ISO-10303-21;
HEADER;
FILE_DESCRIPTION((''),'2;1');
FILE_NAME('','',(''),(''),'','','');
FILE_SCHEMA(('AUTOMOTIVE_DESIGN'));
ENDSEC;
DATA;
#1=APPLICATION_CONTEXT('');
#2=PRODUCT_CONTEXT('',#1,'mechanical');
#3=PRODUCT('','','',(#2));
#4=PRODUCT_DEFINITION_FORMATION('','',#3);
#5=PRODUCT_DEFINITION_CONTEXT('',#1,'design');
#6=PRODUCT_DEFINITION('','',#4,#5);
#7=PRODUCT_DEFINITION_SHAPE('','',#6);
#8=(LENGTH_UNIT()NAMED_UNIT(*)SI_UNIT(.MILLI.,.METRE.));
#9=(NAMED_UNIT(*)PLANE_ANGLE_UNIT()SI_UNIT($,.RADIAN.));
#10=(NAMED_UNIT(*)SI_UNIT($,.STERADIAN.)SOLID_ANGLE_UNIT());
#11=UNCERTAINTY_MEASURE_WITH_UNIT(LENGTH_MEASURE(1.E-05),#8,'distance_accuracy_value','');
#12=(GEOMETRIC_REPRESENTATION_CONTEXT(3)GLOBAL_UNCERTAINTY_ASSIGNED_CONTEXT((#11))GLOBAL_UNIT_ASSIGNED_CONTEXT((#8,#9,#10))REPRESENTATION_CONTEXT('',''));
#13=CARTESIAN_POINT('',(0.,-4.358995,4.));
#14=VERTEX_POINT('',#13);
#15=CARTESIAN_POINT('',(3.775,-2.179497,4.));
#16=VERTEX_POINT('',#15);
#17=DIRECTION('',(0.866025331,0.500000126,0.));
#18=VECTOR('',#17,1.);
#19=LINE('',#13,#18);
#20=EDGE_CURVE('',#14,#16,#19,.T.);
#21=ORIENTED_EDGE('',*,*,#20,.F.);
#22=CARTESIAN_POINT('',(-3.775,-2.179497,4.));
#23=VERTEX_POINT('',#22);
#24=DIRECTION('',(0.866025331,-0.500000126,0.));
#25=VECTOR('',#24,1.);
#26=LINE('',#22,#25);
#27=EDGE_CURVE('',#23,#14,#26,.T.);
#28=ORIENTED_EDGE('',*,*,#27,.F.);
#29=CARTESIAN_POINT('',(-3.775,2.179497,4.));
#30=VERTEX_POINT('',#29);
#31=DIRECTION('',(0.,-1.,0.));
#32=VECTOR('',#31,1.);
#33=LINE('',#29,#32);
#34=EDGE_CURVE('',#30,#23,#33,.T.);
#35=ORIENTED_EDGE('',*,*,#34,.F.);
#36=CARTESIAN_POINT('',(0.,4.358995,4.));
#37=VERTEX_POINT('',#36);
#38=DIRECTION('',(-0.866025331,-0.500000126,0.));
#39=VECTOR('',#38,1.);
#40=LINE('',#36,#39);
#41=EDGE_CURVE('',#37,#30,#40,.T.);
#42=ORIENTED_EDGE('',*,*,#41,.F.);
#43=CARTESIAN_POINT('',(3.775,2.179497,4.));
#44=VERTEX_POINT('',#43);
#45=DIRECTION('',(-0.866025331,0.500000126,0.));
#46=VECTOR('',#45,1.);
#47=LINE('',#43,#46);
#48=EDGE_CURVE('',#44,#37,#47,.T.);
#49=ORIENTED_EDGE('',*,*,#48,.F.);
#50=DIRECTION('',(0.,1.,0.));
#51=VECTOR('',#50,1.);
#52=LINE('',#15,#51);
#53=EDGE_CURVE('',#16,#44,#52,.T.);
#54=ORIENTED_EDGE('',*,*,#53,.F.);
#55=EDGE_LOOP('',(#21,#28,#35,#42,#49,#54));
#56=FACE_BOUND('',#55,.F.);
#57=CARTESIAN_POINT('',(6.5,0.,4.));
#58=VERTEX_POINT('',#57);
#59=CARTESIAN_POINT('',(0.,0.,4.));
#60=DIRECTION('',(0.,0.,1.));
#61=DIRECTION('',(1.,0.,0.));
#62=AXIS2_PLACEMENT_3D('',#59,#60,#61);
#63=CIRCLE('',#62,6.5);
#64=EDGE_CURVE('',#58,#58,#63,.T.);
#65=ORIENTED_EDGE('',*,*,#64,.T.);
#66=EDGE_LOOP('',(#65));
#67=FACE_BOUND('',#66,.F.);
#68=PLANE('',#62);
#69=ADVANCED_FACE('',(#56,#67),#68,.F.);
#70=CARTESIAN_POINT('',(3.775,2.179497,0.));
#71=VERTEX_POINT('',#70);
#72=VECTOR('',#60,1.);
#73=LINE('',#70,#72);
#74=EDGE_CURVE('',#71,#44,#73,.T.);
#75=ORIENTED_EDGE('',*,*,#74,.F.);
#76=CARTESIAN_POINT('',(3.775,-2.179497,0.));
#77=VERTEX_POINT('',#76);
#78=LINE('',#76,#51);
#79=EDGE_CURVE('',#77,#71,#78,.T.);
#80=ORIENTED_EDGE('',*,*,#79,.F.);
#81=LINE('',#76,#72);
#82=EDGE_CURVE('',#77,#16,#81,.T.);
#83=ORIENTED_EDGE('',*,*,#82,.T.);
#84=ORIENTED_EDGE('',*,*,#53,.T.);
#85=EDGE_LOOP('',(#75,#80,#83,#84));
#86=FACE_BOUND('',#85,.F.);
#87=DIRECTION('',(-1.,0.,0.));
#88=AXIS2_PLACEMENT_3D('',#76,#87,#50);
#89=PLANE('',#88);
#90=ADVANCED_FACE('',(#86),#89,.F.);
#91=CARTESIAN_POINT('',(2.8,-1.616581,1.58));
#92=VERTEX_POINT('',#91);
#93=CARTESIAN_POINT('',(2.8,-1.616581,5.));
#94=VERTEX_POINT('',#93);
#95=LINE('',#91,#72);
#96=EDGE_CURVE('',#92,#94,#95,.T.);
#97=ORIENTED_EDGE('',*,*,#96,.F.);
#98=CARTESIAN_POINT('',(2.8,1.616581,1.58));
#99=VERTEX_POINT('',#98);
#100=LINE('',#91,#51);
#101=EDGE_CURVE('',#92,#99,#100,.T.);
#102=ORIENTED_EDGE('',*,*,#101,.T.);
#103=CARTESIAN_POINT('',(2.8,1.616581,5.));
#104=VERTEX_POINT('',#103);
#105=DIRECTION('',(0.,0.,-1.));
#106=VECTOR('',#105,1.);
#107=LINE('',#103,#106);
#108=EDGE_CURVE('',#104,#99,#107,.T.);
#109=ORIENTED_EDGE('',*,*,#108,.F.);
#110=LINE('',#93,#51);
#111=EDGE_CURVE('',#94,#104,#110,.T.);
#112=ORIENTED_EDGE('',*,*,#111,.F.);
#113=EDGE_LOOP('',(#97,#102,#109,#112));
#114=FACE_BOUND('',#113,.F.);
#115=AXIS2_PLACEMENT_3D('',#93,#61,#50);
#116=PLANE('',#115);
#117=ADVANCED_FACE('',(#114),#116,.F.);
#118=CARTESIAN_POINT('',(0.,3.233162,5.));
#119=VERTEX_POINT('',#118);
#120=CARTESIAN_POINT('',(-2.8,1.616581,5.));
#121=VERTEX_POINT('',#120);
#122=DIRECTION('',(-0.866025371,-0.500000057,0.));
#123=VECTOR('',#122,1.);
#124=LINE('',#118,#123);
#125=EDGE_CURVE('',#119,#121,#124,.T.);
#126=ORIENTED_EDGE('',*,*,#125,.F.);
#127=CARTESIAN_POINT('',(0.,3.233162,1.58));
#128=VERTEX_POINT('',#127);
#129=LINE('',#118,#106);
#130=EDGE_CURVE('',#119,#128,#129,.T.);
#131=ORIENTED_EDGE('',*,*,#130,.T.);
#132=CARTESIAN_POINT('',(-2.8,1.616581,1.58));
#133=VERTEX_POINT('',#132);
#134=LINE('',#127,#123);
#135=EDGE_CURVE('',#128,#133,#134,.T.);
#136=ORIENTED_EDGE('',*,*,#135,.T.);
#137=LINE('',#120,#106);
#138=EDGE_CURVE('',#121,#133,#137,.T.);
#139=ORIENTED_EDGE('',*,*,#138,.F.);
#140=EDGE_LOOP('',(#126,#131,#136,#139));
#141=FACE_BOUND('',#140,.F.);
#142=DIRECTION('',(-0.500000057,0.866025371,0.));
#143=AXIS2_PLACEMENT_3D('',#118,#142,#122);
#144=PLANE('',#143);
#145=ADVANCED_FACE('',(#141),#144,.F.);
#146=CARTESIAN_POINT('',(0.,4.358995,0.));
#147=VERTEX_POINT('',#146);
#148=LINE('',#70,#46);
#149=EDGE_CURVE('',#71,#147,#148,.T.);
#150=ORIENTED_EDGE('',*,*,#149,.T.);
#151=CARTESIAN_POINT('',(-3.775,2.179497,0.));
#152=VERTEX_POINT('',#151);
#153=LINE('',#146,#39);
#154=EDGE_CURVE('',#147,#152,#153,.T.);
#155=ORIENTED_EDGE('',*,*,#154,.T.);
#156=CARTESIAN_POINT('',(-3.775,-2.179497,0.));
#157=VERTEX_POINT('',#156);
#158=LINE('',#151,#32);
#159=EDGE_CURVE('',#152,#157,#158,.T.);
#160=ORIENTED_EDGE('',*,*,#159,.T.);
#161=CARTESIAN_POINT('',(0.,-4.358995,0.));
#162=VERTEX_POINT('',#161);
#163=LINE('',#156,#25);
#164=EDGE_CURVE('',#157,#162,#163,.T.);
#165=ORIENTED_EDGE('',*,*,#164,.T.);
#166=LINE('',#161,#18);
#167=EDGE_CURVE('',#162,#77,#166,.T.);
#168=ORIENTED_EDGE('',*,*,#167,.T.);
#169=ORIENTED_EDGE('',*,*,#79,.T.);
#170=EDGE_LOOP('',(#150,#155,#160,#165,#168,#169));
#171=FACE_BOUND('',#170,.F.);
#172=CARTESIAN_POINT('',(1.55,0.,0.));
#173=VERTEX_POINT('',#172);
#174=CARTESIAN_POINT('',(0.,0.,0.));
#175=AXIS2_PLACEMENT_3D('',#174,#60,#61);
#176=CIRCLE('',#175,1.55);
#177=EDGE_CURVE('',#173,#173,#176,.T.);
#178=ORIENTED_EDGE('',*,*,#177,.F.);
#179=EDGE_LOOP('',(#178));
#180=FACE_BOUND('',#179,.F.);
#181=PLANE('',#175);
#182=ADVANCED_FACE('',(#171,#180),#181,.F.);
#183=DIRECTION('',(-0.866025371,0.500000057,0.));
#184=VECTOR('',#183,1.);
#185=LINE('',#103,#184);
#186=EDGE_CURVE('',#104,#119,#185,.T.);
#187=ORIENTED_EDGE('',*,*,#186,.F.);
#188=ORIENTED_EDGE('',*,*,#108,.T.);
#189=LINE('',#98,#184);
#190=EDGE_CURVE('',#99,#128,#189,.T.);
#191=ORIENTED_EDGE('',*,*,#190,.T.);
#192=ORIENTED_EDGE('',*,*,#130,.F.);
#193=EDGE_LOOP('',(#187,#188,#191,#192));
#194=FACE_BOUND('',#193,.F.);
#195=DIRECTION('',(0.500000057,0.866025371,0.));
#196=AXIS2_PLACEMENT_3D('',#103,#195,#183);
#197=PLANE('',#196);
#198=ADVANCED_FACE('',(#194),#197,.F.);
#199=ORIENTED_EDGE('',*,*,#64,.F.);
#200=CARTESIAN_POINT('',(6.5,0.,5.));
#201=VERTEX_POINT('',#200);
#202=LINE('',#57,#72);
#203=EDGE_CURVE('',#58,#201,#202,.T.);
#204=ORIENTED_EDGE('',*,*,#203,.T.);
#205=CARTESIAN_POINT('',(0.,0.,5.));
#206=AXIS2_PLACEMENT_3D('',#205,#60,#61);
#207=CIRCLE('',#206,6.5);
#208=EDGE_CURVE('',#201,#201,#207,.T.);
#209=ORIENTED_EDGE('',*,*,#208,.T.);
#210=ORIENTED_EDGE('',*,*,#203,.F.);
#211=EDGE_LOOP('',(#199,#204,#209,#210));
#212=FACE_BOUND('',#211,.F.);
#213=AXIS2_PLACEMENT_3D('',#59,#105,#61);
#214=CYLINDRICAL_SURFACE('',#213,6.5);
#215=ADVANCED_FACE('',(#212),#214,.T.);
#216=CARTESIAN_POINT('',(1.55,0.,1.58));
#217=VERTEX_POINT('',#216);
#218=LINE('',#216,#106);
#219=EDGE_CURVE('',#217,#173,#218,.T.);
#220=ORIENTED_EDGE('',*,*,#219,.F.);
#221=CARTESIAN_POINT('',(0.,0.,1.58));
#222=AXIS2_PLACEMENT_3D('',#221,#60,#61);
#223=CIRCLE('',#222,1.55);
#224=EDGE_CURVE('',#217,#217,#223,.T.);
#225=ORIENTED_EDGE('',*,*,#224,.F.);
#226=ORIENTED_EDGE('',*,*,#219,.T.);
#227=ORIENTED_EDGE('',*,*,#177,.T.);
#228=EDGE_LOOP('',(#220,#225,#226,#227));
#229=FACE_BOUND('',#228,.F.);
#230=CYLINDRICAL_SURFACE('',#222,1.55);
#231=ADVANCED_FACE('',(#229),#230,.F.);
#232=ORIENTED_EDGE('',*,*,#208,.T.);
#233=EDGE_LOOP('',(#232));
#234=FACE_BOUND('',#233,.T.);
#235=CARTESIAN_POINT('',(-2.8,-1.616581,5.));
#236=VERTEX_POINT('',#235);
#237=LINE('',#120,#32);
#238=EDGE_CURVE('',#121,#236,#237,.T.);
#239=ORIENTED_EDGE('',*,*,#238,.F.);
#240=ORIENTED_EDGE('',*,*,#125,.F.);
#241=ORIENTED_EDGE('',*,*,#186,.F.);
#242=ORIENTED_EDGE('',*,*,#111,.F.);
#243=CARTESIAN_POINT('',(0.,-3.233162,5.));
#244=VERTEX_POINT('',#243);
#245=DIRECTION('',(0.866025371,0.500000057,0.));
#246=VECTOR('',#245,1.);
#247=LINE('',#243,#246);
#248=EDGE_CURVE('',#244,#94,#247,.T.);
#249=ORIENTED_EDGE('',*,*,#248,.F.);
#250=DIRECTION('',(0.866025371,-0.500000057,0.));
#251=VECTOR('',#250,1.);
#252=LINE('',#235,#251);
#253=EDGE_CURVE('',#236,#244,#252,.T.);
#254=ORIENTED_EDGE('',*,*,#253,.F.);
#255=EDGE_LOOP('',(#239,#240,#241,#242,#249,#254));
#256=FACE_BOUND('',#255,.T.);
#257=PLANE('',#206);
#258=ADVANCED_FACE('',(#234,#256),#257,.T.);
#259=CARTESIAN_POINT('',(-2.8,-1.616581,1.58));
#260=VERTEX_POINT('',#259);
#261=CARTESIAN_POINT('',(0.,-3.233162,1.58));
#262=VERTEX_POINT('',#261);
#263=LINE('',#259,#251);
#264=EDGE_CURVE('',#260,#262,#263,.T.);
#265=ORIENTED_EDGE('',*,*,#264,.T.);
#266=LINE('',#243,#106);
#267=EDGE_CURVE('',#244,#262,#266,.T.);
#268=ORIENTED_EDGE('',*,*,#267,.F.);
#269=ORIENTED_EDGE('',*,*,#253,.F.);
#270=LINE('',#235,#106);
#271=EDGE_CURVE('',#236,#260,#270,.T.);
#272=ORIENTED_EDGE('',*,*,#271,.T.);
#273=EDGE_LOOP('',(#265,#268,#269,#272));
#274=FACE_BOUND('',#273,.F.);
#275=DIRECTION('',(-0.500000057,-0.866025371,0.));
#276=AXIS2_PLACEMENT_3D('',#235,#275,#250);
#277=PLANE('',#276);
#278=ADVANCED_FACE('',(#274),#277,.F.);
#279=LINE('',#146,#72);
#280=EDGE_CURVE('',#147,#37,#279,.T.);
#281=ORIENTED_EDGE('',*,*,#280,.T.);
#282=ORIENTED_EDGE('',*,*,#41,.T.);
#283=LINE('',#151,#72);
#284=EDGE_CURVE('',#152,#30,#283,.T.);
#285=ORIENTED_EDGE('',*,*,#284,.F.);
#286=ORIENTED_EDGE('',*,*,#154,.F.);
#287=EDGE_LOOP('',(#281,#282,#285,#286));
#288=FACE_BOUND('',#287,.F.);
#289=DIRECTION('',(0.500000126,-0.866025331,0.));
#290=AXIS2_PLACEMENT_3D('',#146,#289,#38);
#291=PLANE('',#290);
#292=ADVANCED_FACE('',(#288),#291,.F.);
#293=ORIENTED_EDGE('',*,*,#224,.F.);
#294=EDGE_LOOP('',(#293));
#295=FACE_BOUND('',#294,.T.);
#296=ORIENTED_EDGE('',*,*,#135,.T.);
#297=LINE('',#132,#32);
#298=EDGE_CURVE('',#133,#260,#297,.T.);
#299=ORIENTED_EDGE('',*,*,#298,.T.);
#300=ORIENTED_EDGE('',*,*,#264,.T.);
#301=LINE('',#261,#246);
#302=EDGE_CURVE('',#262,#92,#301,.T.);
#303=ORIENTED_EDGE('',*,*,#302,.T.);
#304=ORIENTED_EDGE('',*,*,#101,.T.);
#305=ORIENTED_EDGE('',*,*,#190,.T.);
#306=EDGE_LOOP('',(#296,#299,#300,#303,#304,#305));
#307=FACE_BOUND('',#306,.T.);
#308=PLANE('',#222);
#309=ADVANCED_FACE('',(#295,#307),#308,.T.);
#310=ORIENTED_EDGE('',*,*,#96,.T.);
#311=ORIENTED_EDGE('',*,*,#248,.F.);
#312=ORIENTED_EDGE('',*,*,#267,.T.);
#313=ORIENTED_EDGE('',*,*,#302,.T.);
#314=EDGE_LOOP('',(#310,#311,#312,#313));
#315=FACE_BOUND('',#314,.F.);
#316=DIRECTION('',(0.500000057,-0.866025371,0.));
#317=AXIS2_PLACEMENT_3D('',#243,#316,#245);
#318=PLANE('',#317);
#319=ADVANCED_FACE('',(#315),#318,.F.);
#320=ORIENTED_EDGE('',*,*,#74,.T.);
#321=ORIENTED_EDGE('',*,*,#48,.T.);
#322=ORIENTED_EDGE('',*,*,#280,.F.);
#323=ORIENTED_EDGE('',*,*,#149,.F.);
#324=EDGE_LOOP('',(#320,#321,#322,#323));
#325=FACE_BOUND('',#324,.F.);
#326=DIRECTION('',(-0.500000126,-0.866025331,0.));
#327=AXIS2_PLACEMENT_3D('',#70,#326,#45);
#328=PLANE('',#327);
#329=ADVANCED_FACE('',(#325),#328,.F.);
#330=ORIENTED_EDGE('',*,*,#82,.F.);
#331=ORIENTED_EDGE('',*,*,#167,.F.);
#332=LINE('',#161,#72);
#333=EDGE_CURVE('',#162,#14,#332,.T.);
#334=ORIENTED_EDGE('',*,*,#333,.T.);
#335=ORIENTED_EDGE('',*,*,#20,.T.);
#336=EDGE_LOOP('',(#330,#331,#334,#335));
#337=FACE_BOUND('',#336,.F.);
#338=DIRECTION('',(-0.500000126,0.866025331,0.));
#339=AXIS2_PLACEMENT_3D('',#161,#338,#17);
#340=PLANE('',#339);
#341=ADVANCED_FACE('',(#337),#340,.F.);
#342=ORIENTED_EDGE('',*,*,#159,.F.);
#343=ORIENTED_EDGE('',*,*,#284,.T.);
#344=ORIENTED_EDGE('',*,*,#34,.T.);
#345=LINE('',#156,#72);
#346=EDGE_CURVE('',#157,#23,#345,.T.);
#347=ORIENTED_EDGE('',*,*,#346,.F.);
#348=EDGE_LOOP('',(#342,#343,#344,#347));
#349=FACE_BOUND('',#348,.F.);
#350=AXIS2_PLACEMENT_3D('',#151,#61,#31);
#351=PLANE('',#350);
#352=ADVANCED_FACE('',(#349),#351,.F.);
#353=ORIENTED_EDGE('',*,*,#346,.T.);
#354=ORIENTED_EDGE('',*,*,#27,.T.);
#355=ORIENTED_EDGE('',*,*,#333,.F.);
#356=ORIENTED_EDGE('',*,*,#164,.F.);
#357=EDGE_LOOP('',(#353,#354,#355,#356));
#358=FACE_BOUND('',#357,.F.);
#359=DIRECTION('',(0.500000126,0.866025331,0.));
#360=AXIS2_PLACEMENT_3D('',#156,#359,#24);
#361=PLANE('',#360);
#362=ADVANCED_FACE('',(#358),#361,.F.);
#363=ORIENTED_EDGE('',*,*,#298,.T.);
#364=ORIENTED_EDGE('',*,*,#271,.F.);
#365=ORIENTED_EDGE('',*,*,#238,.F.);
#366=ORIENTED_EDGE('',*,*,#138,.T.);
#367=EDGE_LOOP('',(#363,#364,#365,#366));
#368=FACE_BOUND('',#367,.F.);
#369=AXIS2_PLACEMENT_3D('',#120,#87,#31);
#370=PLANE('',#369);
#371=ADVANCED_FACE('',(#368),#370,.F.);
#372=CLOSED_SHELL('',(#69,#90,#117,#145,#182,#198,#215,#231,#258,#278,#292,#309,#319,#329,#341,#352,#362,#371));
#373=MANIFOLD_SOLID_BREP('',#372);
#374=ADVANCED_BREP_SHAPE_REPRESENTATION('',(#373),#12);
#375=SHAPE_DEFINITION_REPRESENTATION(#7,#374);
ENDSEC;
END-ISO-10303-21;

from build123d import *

# Parameters (mm, degrees)
F1_DEPTH = 4
F3_DEPTH = 2.42
F4_R     = 1.55
F5_DEPTH = 25
F6_R     = 6.5
F7_DEPTH = 1
F9_DEPTH = 1.8


with BuildPart() as f1:
    # F0 (on Top) → F1 (new body)
    with BuildSketch(Plane.XY):
        Polygon((3.775, -2.179497), (3.775, 2.179497), (0, 4.358995), (-3.775, 2.179497), (-3.775, -2.179497), (0, -4.358995), align=None)
    extrude(amount=F1_DEPTH)

    # F2 (on face) → F3 (cut)
    with BuildSketch(Plane.XY.offset(4)):
        Polygon((2.8, -1.616581), (2.8, 1.616581), (0, 3.233162), (-2.8, 1.616581), (-2.8, -1.616581), (0, -3.233162), align=None)
    extrude(amount=-F3_DEPTH, mode=Mode.SUBTRACT)

    # F4 (on face) → F5 (cut)
    with BuildSketch(Plane.XY.offset(1.58)):
        Circle(F4_R)
    extrude(amount=-F5_DEPTH, mode=Mode.SUBTRACT)

    # F6 (on face) → F7 (join)
    with BuildSketch(Plane.XY.offset(4)):
        Circle(F6_R)
    extrude(amount=F7_DEPTH)

    # F8 (on face) → F9 (cut)
    with BuildSketch(Plane.XY.offset(5)):
        Polygon((2.8, -1.616581), (2.8, 1.616581), (0, 3.233162), (-2.8, 1.616581), (-2.8, -1.616581), (0, -3.233162), align=None)
    extrude(amount=-F9_DEPTH, mode=Mode.SUBTRACT)


solid = f1.part
